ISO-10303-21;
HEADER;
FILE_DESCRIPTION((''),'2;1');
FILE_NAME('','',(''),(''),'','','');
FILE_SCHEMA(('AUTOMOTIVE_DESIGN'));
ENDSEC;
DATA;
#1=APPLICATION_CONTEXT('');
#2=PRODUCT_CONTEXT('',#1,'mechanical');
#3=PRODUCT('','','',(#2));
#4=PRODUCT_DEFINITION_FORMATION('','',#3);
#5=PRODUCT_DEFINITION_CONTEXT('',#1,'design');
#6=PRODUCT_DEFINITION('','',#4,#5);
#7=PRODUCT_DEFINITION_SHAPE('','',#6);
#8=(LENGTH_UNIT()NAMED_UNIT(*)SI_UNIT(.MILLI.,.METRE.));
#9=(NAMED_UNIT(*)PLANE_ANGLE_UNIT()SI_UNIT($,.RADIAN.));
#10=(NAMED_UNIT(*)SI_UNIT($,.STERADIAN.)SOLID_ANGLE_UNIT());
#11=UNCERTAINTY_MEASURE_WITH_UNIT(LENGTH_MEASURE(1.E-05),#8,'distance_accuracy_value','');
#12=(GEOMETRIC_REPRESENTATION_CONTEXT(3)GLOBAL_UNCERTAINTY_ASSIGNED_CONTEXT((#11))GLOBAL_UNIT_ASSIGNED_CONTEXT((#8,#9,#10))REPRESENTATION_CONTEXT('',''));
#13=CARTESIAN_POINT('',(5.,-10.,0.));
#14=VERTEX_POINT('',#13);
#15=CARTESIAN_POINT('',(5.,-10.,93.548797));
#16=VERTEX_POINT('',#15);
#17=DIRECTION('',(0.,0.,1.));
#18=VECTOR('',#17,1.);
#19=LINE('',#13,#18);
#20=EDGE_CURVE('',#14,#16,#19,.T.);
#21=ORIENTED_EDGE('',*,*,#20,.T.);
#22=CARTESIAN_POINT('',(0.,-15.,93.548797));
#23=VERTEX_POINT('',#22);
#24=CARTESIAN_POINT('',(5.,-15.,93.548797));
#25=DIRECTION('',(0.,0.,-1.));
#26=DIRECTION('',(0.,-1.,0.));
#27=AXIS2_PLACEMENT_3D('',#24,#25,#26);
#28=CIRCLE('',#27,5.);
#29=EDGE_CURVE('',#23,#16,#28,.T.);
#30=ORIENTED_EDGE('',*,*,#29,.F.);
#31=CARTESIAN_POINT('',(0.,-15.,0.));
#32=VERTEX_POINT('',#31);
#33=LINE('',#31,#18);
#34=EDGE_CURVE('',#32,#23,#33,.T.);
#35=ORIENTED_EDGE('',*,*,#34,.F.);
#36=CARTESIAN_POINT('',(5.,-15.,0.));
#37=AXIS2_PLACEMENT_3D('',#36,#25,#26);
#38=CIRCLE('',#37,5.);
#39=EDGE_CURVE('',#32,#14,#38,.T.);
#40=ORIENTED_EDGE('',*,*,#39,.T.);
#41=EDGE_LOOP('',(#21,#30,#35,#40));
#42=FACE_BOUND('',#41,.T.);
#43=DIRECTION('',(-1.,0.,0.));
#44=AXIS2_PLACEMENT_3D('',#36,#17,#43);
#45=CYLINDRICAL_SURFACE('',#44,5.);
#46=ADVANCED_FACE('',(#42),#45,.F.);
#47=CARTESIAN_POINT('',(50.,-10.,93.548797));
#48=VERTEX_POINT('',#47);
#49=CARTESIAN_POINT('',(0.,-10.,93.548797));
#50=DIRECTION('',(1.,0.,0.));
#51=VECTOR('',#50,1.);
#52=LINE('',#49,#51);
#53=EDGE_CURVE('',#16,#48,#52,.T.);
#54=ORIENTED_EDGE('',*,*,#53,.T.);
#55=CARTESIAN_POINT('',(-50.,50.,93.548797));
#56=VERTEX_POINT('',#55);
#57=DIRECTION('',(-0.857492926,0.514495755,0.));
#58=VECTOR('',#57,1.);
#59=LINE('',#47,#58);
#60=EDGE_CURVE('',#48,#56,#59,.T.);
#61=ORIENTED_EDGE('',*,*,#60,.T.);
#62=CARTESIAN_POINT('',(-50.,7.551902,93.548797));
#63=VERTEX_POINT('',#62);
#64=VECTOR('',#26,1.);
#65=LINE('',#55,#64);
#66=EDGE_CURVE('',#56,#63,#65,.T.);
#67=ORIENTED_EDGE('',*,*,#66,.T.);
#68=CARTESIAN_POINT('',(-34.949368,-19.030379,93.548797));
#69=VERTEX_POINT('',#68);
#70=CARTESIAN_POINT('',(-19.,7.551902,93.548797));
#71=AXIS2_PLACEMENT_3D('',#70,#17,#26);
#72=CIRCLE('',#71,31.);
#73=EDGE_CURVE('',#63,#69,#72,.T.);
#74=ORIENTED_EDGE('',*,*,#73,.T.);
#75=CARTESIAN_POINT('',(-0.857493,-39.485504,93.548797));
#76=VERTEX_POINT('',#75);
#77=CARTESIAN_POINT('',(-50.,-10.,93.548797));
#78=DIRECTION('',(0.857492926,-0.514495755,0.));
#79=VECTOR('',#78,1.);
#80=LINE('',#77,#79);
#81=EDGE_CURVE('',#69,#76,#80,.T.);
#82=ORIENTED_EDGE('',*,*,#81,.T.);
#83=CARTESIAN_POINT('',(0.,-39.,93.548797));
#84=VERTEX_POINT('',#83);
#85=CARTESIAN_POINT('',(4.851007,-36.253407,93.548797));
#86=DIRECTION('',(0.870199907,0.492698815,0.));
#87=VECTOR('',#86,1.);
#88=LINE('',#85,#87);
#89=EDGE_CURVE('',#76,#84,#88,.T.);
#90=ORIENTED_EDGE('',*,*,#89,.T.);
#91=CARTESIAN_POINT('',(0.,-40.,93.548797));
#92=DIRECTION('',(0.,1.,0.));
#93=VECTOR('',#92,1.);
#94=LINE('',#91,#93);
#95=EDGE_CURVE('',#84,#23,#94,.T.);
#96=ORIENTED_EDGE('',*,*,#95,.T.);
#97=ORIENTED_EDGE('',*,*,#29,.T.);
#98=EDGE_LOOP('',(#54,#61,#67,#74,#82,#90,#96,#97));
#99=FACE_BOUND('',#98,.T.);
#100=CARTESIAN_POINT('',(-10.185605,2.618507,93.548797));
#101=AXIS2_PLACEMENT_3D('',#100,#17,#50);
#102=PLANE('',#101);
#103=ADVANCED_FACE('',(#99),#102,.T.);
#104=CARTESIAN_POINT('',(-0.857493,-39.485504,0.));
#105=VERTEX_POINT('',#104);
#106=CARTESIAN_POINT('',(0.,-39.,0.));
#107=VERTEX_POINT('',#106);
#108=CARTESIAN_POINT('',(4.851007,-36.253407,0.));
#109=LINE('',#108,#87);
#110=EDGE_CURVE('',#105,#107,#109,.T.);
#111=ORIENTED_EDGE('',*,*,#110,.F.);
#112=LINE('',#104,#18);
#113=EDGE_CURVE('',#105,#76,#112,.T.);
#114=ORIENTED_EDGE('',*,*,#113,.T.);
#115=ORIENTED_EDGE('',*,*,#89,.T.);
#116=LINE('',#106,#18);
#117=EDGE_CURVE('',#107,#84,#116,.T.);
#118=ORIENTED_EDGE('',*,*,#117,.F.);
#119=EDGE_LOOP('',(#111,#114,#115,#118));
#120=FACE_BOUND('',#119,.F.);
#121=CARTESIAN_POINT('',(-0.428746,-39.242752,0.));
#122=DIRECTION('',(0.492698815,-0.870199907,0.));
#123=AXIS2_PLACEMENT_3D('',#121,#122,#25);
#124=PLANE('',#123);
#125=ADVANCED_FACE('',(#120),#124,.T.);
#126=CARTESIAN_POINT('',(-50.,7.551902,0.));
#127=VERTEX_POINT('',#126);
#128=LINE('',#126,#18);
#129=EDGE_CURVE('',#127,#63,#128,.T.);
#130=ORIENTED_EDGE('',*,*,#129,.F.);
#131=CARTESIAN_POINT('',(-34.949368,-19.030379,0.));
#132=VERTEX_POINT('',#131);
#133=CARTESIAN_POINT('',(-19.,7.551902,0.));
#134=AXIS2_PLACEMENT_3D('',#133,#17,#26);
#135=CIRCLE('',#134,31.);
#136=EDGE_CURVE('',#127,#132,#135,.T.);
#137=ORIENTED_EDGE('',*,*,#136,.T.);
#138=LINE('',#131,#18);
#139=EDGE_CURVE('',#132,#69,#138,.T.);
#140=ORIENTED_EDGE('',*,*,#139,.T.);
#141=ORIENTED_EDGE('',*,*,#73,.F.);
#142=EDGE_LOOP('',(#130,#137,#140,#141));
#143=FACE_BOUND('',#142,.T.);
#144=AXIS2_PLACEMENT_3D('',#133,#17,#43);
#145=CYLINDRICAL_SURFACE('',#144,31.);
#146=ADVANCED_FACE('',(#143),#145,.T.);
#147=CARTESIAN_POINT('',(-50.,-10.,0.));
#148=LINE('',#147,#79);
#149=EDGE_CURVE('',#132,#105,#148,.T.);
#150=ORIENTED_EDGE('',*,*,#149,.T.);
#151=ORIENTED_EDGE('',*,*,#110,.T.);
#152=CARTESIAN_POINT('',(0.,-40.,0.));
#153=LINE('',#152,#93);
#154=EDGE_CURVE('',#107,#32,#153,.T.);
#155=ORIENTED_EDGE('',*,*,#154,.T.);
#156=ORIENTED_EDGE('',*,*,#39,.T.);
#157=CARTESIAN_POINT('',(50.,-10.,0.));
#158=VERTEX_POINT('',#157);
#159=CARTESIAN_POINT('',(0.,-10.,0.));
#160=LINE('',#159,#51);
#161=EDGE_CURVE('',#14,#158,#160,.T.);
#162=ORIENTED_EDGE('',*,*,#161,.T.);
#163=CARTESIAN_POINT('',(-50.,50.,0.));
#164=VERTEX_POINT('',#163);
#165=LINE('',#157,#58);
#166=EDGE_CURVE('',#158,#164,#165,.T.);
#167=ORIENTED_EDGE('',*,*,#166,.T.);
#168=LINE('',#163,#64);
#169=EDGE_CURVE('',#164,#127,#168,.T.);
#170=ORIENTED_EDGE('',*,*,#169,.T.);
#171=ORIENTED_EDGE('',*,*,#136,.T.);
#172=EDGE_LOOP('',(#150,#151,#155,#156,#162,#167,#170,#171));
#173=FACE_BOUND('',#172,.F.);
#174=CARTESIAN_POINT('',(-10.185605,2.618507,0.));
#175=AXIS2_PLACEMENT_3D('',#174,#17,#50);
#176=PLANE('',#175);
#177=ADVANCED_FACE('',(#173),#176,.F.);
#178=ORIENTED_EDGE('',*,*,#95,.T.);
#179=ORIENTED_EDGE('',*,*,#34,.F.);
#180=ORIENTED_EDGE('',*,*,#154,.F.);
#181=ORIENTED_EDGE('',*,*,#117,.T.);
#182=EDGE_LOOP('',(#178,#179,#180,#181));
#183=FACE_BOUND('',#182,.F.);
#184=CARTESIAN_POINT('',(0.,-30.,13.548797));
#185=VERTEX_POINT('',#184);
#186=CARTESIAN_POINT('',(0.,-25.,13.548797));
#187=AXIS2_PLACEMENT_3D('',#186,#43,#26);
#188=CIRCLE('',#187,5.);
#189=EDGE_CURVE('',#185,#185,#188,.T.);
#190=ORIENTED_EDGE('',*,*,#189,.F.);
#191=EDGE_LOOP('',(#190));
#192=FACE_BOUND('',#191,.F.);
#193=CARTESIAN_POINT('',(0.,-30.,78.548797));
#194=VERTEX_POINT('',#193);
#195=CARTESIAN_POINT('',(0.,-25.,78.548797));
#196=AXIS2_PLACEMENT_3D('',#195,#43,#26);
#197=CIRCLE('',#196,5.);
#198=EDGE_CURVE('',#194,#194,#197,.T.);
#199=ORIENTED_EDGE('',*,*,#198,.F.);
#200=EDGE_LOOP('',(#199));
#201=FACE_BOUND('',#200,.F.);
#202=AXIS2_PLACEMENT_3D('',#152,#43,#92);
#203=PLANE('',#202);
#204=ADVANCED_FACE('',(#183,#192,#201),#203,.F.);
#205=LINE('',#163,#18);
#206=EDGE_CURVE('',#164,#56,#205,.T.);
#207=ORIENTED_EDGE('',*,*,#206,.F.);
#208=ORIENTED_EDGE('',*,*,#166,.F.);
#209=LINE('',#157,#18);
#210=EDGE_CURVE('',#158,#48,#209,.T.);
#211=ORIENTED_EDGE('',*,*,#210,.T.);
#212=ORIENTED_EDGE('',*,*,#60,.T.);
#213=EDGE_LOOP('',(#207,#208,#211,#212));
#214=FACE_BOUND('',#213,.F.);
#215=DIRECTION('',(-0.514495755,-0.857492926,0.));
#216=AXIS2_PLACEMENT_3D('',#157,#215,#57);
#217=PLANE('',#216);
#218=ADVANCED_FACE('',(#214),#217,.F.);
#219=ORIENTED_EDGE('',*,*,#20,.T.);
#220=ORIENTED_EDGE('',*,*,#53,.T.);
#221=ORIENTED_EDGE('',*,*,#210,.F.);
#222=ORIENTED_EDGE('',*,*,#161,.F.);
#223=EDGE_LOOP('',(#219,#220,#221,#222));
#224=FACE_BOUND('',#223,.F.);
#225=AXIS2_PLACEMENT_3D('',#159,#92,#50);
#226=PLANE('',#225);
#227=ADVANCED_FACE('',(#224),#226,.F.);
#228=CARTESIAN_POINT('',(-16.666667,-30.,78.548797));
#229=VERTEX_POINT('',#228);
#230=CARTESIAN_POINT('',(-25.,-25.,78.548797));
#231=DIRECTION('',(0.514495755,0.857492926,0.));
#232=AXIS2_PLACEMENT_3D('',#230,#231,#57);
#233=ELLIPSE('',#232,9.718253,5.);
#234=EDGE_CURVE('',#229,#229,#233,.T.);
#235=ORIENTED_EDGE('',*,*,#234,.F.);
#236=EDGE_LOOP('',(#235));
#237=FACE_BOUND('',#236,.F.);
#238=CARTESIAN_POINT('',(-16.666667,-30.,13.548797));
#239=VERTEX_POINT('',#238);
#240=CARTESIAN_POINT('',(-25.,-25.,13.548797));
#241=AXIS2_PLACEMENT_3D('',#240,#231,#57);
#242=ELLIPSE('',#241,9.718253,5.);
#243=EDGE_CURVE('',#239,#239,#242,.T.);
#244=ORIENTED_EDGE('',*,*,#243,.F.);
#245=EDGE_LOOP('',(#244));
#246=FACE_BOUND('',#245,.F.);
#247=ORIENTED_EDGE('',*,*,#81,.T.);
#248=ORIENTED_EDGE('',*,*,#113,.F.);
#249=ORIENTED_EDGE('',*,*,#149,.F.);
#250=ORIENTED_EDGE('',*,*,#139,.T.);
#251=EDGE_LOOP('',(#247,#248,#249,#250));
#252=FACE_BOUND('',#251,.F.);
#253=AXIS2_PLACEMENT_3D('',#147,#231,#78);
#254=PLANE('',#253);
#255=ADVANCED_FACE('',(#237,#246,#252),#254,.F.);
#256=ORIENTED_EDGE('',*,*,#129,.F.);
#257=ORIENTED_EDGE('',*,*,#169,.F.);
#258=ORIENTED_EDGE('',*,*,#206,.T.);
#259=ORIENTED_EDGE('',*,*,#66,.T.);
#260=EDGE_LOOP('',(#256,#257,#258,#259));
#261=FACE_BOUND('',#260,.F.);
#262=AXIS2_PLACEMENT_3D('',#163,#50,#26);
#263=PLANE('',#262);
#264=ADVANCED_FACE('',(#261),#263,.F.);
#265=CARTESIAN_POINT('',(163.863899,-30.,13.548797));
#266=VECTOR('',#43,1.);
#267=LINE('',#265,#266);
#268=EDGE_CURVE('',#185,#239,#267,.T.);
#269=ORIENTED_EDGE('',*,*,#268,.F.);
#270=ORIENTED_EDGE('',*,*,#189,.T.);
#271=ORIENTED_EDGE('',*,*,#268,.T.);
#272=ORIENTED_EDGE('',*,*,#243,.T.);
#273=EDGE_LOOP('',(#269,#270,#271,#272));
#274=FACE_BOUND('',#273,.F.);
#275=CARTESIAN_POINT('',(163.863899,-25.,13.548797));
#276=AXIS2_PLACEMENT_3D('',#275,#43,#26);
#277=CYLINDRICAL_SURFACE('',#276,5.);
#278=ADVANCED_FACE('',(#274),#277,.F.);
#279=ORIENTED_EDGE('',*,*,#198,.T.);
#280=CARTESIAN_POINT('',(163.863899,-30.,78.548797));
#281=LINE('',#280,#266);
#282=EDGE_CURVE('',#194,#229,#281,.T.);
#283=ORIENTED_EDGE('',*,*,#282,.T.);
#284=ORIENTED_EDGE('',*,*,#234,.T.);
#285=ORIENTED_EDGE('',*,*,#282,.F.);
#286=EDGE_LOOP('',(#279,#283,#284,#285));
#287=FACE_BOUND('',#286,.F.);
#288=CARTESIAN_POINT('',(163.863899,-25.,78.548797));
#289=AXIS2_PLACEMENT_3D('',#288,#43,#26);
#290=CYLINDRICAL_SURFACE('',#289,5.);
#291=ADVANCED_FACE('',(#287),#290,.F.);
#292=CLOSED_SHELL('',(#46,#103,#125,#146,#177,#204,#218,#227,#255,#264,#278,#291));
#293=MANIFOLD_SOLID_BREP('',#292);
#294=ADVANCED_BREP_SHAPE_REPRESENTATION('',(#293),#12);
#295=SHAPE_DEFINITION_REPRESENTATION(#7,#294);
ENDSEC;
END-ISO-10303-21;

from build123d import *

# Parameters (mm, degrees)
F1_DEPTH = 93.548797
F3_D     = 10
F4_R     = 31
F5_SIZE  = 1
F6_R     = 5


with BuildPart() as f1:
    # F0 (on Top) → F1 (new body)
    with BuildSketch(Plane.XY):
        Polygon((50, -10), (-50, 50), (-50, -10), (0, -40), (0, -10), align=None)
    extrude(amount=F1_DEPTH)

    # F3 (through all)
    with Locations(Plane.YZ):
        with Locations((-25, 78.548797), (-25, 13.548797)):
            Hole(F3_D / 2)

    # F4
    f4_edges = [f1.edges().sort_by_distance(p)[0] for p in [
        (-50, -10, 46.774399),
    ]]
    fillet(f4_edges, radius=F4_R)

    # F5
    f5_edges = [f1.edges().sort_by_distance(p)[0] for p in [
        (0, -40, 46.774399),
    ]]
    chamfer(f5_edges, length=F5_SIZE)

    # F6
    f6_edges = [f1.edges().sort_by_distance(p)[0] for p in [
        (0, -10, 46.774399),
    ]]
    fillet(f6_edges, radius=F6_R)


solid = f1.part
